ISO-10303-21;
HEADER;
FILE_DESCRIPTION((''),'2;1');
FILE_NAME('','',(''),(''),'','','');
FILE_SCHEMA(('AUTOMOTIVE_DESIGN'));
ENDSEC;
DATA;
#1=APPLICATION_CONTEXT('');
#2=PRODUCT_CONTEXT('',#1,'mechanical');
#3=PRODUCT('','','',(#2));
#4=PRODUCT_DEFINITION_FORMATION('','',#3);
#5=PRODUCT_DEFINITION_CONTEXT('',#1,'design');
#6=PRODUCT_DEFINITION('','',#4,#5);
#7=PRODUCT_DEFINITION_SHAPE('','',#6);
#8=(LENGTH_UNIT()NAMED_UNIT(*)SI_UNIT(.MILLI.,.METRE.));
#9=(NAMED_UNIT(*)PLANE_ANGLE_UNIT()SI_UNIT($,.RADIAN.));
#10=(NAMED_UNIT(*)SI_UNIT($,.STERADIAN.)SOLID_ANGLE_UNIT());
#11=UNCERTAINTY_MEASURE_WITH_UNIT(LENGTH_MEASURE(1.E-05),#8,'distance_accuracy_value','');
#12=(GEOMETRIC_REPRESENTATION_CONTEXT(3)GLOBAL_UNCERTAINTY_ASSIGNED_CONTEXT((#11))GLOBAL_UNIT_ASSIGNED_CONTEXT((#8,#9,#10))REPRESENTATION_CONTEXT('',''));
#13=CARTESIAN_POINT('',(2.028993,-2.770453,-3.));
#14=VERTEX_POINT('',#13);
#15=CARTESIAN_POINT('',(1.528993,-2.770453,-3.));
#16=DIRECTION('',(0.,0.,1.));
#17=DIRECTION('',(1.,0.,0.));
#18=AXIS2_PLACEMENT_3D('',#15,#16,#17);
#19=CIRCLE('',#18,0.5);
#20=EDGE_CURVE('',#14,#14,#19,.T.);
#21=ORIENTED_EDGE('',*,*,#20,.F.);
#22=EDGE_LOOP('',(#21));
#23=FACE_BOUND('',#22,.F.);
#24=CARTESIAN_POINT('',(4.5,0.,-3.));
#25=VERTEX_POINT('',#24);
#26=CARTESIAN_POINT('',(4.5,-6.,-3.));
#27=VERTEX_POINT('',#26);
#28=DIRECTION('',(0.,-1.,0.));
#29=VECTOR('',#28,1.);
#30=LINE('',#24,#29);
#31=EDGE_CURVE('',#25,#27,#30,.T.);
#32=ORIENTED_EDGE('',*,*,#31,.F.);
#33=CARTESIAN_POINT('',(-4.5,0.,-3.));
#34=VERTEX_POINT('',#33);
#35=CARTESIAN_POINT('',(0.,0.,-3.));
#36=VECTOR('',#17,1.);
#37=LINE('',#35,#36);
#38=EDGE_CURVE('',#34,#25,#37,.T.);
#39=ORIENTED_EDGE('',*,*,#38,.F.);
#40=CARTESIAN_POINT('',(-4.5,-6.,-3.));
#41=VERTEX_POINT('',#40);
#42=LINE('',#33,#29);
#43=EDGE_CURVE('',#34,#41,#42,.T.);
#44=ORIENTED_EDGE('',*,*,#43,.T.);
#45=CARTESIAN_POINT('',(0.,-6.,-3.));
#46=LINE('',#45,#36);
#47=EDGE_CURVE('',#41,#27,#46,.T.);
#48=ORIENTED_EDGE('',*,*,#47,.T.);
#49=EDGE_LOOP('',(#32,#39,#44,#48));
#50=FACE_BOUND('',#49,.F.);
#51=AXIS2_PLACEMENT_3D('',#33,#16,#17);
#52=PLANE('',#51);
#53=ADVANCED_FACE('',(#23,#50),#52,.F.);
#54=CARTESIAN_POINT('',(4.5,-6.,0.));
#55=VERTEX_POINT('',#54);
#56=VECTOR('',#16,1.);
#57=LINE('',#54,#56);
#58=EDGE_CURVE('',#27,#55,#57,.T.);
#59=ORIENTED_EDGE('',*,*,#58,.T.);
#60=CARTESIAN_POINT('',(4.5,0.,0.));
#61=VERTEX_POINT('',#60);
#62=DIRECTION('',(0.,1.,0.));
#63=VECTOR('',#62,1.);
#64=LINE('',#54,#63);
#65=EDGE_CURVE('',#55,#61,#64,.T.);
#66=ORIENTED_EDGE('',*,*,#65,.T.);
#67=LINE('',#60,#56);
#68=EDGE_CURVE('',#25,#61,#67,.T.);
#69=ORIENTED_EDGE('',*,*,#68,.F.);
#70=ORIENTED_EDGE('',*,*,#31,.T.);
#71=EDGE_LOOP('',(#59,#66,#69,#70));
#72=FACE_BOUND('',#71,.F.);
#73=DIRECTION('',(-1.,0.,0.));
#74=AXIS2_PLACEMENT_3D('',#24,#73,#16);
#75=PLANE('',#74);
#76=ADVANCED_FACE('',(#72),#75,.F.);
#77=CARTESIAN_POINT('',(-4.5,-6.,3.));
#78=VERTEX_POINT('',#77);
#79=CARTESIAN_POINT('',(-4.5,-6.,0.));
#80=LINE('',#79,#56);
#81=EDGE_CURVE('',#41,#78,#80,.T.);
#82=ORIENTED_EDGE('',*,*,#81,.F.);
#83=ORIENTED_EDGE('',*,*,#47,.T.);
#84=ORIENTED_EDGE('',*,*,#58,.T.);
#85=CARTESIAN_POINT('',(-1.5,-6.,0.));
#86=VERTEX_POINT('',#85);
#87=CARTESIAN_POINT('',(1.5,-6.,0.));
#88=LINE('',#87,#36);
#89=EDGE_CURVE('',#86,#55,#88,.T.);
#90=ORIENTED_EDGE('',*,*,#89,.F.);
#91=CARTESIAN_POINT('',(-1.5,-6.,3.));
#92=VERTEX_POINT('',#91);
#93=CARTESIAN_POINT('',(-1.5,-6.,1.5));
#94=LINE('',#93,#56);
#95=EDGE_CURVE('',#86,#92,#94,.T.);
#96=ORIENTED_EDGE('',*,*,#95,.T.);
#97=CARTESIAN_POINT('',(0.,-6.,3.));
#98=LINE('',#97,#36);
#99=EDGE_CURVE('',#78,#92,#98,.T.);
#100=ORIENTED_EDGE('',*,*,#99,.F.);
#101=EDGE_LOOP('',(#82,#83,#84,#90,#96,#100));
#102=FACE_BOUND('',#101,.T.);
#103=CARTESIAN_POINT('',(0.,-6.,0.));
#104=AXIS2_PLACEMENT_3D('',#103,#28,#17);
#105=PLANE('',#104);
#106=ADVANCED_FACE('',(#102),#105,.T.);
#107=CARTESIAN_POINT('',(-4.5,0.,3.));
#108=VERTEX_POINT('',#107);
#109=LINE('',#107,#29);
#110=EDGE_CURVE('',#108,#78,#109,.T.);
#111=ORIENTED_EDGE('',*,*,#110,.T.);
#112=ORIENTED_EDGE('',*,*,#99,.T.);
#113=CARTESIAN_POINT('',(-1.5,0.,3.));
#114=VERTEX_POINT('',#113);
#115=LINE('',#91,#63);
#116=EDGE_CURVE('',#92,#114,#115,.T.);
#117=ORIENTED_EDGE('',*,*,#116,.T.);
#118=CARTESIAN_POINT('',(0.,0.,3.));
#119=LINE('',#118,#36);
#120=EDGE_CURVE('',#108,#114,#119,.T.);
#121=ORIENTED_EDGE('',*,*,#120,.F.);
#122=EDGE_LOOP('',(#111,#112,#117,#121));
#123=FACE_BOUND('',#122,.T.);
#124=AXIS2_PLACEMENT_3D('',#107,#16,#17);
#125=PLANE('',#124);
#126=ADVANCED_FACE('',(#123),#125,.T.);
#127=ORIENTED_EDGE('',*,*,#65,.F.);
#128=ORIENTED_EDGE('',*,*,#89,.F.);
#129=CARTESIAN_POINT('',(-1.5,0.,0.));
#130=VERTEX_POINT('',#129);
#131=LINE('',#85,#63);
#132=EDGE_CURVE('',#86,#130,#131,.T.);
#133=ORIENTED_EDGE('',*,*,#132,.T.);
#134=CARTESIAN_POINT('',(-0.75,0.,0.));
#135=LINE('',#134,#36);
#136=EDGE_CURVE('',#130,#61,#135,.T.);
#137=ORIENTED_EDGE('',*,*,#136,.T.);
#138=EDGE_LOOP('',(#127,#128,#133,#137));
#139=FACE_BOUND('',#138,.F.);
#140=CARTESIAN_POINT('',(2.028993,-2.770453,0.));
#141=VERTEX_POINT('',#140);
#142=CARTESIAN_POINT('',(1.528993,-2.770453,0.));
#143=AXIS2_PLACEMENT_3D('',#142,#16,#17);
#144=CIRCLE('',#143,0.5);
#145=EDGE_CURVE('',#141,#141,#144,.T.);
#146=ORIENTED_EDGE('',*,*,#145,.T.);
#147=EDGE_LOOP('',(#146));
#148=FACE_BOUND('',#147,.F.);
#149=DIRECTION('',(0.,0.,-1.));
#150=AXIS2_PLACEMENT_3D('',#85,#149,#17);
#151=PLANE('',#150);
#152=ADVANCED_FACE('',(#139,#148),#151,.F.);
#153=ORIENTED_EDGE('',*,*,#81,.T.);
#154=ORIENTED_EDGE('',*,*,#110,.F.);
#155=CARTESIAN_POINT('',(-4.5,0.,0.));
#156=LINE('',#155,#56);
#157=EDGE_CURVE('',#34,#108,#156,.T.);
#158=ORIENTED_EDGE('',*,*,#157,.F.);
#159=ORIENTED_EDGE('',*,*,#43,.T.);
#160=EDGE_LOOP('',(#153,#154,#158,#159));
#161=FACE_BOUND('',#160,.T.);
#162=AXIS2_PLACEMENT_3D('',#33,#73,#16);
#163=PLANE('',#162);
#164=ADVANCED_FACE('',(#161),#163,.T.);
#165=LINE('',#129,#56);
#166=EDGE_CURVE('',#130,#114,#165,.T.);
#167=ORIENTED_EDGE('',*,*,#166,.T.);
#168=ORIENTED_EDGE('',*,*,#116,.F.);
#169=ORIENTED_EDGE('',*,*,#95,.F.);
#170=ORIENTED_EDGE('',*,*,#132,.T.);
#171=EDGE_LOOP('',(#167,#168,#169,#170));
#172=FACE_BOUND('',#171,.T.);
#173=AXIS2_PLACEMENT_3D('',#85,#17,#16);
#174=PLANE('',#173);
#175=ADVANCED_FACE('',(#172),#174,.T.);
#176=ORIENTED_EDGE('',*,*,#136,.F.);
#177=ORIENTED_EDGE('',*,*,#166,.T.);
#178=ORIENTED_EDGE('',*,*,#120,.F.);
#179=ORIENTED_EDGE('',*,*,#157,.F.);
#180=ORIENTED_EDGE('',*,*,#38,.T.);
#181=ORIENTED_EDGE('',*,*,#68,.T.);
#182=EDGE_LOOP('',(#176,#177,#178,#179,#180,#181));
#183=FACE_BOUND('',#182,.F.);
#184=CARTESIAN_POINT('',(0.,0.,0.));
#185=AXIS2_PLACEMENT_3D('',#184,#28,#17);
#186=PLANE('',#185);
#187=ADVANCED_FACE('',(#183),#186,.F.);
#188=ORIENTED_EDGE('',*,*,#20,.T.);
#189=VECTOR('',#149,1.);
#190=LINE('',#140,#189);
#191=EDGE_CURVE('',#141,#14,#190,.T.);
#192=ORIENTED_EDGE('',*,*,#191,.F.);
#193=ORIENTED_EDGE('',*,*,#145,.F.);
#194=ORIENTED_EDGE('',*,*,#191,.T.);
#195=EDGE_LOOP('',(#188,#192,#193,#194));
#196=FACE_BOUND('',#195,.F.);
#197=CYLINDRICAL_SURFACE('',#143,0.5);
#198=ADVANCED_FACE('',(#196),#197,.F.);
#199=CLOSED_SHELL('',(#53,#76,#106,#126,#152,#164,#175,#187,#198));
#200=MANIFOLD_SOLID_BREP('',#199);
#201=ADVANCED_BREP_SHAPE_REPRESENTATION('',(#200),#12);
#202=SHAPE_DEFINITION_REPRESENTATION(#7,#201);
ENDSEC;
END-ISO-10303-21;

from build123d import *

# Parameters (mm, degrees)
F0_W     = 9
F0_H     = 6
F1_DEPTH = 6
F2_W     = 6
F2_H     = 3
F3_DEPTH = 6.001
F4_R     = 0.5
F5_DEPTH = 3.001


with BuildPart() as f1:
    # F0 (on Front) → F1 (new body)
    with BuildSketch(Plane.XZ):
        Rectangle(F0_W, F0_H)
    extrude(amount=F1_DEPTH)

    # F2 (on face) → F3 (cut, through all)
    with BuildSketch(Plane.XZ.offset(6)):
        with Locations((1.5, 1.5)):
            Rectangle(F2_W, F2_H)
    extrude(amount=-F3_DEPTH, mode=Mode.SUBTRACT)

    # F4 (on face) → F5 (cut, through all)
    with BuildSketch(Plane.XY):
        with Locations((1.528993, -2.770453)):
            Circle(F4_R)
    extrude(amount=-F5_DEPTH, mode=Mode.SUBTRACT)


solid = f1.part
